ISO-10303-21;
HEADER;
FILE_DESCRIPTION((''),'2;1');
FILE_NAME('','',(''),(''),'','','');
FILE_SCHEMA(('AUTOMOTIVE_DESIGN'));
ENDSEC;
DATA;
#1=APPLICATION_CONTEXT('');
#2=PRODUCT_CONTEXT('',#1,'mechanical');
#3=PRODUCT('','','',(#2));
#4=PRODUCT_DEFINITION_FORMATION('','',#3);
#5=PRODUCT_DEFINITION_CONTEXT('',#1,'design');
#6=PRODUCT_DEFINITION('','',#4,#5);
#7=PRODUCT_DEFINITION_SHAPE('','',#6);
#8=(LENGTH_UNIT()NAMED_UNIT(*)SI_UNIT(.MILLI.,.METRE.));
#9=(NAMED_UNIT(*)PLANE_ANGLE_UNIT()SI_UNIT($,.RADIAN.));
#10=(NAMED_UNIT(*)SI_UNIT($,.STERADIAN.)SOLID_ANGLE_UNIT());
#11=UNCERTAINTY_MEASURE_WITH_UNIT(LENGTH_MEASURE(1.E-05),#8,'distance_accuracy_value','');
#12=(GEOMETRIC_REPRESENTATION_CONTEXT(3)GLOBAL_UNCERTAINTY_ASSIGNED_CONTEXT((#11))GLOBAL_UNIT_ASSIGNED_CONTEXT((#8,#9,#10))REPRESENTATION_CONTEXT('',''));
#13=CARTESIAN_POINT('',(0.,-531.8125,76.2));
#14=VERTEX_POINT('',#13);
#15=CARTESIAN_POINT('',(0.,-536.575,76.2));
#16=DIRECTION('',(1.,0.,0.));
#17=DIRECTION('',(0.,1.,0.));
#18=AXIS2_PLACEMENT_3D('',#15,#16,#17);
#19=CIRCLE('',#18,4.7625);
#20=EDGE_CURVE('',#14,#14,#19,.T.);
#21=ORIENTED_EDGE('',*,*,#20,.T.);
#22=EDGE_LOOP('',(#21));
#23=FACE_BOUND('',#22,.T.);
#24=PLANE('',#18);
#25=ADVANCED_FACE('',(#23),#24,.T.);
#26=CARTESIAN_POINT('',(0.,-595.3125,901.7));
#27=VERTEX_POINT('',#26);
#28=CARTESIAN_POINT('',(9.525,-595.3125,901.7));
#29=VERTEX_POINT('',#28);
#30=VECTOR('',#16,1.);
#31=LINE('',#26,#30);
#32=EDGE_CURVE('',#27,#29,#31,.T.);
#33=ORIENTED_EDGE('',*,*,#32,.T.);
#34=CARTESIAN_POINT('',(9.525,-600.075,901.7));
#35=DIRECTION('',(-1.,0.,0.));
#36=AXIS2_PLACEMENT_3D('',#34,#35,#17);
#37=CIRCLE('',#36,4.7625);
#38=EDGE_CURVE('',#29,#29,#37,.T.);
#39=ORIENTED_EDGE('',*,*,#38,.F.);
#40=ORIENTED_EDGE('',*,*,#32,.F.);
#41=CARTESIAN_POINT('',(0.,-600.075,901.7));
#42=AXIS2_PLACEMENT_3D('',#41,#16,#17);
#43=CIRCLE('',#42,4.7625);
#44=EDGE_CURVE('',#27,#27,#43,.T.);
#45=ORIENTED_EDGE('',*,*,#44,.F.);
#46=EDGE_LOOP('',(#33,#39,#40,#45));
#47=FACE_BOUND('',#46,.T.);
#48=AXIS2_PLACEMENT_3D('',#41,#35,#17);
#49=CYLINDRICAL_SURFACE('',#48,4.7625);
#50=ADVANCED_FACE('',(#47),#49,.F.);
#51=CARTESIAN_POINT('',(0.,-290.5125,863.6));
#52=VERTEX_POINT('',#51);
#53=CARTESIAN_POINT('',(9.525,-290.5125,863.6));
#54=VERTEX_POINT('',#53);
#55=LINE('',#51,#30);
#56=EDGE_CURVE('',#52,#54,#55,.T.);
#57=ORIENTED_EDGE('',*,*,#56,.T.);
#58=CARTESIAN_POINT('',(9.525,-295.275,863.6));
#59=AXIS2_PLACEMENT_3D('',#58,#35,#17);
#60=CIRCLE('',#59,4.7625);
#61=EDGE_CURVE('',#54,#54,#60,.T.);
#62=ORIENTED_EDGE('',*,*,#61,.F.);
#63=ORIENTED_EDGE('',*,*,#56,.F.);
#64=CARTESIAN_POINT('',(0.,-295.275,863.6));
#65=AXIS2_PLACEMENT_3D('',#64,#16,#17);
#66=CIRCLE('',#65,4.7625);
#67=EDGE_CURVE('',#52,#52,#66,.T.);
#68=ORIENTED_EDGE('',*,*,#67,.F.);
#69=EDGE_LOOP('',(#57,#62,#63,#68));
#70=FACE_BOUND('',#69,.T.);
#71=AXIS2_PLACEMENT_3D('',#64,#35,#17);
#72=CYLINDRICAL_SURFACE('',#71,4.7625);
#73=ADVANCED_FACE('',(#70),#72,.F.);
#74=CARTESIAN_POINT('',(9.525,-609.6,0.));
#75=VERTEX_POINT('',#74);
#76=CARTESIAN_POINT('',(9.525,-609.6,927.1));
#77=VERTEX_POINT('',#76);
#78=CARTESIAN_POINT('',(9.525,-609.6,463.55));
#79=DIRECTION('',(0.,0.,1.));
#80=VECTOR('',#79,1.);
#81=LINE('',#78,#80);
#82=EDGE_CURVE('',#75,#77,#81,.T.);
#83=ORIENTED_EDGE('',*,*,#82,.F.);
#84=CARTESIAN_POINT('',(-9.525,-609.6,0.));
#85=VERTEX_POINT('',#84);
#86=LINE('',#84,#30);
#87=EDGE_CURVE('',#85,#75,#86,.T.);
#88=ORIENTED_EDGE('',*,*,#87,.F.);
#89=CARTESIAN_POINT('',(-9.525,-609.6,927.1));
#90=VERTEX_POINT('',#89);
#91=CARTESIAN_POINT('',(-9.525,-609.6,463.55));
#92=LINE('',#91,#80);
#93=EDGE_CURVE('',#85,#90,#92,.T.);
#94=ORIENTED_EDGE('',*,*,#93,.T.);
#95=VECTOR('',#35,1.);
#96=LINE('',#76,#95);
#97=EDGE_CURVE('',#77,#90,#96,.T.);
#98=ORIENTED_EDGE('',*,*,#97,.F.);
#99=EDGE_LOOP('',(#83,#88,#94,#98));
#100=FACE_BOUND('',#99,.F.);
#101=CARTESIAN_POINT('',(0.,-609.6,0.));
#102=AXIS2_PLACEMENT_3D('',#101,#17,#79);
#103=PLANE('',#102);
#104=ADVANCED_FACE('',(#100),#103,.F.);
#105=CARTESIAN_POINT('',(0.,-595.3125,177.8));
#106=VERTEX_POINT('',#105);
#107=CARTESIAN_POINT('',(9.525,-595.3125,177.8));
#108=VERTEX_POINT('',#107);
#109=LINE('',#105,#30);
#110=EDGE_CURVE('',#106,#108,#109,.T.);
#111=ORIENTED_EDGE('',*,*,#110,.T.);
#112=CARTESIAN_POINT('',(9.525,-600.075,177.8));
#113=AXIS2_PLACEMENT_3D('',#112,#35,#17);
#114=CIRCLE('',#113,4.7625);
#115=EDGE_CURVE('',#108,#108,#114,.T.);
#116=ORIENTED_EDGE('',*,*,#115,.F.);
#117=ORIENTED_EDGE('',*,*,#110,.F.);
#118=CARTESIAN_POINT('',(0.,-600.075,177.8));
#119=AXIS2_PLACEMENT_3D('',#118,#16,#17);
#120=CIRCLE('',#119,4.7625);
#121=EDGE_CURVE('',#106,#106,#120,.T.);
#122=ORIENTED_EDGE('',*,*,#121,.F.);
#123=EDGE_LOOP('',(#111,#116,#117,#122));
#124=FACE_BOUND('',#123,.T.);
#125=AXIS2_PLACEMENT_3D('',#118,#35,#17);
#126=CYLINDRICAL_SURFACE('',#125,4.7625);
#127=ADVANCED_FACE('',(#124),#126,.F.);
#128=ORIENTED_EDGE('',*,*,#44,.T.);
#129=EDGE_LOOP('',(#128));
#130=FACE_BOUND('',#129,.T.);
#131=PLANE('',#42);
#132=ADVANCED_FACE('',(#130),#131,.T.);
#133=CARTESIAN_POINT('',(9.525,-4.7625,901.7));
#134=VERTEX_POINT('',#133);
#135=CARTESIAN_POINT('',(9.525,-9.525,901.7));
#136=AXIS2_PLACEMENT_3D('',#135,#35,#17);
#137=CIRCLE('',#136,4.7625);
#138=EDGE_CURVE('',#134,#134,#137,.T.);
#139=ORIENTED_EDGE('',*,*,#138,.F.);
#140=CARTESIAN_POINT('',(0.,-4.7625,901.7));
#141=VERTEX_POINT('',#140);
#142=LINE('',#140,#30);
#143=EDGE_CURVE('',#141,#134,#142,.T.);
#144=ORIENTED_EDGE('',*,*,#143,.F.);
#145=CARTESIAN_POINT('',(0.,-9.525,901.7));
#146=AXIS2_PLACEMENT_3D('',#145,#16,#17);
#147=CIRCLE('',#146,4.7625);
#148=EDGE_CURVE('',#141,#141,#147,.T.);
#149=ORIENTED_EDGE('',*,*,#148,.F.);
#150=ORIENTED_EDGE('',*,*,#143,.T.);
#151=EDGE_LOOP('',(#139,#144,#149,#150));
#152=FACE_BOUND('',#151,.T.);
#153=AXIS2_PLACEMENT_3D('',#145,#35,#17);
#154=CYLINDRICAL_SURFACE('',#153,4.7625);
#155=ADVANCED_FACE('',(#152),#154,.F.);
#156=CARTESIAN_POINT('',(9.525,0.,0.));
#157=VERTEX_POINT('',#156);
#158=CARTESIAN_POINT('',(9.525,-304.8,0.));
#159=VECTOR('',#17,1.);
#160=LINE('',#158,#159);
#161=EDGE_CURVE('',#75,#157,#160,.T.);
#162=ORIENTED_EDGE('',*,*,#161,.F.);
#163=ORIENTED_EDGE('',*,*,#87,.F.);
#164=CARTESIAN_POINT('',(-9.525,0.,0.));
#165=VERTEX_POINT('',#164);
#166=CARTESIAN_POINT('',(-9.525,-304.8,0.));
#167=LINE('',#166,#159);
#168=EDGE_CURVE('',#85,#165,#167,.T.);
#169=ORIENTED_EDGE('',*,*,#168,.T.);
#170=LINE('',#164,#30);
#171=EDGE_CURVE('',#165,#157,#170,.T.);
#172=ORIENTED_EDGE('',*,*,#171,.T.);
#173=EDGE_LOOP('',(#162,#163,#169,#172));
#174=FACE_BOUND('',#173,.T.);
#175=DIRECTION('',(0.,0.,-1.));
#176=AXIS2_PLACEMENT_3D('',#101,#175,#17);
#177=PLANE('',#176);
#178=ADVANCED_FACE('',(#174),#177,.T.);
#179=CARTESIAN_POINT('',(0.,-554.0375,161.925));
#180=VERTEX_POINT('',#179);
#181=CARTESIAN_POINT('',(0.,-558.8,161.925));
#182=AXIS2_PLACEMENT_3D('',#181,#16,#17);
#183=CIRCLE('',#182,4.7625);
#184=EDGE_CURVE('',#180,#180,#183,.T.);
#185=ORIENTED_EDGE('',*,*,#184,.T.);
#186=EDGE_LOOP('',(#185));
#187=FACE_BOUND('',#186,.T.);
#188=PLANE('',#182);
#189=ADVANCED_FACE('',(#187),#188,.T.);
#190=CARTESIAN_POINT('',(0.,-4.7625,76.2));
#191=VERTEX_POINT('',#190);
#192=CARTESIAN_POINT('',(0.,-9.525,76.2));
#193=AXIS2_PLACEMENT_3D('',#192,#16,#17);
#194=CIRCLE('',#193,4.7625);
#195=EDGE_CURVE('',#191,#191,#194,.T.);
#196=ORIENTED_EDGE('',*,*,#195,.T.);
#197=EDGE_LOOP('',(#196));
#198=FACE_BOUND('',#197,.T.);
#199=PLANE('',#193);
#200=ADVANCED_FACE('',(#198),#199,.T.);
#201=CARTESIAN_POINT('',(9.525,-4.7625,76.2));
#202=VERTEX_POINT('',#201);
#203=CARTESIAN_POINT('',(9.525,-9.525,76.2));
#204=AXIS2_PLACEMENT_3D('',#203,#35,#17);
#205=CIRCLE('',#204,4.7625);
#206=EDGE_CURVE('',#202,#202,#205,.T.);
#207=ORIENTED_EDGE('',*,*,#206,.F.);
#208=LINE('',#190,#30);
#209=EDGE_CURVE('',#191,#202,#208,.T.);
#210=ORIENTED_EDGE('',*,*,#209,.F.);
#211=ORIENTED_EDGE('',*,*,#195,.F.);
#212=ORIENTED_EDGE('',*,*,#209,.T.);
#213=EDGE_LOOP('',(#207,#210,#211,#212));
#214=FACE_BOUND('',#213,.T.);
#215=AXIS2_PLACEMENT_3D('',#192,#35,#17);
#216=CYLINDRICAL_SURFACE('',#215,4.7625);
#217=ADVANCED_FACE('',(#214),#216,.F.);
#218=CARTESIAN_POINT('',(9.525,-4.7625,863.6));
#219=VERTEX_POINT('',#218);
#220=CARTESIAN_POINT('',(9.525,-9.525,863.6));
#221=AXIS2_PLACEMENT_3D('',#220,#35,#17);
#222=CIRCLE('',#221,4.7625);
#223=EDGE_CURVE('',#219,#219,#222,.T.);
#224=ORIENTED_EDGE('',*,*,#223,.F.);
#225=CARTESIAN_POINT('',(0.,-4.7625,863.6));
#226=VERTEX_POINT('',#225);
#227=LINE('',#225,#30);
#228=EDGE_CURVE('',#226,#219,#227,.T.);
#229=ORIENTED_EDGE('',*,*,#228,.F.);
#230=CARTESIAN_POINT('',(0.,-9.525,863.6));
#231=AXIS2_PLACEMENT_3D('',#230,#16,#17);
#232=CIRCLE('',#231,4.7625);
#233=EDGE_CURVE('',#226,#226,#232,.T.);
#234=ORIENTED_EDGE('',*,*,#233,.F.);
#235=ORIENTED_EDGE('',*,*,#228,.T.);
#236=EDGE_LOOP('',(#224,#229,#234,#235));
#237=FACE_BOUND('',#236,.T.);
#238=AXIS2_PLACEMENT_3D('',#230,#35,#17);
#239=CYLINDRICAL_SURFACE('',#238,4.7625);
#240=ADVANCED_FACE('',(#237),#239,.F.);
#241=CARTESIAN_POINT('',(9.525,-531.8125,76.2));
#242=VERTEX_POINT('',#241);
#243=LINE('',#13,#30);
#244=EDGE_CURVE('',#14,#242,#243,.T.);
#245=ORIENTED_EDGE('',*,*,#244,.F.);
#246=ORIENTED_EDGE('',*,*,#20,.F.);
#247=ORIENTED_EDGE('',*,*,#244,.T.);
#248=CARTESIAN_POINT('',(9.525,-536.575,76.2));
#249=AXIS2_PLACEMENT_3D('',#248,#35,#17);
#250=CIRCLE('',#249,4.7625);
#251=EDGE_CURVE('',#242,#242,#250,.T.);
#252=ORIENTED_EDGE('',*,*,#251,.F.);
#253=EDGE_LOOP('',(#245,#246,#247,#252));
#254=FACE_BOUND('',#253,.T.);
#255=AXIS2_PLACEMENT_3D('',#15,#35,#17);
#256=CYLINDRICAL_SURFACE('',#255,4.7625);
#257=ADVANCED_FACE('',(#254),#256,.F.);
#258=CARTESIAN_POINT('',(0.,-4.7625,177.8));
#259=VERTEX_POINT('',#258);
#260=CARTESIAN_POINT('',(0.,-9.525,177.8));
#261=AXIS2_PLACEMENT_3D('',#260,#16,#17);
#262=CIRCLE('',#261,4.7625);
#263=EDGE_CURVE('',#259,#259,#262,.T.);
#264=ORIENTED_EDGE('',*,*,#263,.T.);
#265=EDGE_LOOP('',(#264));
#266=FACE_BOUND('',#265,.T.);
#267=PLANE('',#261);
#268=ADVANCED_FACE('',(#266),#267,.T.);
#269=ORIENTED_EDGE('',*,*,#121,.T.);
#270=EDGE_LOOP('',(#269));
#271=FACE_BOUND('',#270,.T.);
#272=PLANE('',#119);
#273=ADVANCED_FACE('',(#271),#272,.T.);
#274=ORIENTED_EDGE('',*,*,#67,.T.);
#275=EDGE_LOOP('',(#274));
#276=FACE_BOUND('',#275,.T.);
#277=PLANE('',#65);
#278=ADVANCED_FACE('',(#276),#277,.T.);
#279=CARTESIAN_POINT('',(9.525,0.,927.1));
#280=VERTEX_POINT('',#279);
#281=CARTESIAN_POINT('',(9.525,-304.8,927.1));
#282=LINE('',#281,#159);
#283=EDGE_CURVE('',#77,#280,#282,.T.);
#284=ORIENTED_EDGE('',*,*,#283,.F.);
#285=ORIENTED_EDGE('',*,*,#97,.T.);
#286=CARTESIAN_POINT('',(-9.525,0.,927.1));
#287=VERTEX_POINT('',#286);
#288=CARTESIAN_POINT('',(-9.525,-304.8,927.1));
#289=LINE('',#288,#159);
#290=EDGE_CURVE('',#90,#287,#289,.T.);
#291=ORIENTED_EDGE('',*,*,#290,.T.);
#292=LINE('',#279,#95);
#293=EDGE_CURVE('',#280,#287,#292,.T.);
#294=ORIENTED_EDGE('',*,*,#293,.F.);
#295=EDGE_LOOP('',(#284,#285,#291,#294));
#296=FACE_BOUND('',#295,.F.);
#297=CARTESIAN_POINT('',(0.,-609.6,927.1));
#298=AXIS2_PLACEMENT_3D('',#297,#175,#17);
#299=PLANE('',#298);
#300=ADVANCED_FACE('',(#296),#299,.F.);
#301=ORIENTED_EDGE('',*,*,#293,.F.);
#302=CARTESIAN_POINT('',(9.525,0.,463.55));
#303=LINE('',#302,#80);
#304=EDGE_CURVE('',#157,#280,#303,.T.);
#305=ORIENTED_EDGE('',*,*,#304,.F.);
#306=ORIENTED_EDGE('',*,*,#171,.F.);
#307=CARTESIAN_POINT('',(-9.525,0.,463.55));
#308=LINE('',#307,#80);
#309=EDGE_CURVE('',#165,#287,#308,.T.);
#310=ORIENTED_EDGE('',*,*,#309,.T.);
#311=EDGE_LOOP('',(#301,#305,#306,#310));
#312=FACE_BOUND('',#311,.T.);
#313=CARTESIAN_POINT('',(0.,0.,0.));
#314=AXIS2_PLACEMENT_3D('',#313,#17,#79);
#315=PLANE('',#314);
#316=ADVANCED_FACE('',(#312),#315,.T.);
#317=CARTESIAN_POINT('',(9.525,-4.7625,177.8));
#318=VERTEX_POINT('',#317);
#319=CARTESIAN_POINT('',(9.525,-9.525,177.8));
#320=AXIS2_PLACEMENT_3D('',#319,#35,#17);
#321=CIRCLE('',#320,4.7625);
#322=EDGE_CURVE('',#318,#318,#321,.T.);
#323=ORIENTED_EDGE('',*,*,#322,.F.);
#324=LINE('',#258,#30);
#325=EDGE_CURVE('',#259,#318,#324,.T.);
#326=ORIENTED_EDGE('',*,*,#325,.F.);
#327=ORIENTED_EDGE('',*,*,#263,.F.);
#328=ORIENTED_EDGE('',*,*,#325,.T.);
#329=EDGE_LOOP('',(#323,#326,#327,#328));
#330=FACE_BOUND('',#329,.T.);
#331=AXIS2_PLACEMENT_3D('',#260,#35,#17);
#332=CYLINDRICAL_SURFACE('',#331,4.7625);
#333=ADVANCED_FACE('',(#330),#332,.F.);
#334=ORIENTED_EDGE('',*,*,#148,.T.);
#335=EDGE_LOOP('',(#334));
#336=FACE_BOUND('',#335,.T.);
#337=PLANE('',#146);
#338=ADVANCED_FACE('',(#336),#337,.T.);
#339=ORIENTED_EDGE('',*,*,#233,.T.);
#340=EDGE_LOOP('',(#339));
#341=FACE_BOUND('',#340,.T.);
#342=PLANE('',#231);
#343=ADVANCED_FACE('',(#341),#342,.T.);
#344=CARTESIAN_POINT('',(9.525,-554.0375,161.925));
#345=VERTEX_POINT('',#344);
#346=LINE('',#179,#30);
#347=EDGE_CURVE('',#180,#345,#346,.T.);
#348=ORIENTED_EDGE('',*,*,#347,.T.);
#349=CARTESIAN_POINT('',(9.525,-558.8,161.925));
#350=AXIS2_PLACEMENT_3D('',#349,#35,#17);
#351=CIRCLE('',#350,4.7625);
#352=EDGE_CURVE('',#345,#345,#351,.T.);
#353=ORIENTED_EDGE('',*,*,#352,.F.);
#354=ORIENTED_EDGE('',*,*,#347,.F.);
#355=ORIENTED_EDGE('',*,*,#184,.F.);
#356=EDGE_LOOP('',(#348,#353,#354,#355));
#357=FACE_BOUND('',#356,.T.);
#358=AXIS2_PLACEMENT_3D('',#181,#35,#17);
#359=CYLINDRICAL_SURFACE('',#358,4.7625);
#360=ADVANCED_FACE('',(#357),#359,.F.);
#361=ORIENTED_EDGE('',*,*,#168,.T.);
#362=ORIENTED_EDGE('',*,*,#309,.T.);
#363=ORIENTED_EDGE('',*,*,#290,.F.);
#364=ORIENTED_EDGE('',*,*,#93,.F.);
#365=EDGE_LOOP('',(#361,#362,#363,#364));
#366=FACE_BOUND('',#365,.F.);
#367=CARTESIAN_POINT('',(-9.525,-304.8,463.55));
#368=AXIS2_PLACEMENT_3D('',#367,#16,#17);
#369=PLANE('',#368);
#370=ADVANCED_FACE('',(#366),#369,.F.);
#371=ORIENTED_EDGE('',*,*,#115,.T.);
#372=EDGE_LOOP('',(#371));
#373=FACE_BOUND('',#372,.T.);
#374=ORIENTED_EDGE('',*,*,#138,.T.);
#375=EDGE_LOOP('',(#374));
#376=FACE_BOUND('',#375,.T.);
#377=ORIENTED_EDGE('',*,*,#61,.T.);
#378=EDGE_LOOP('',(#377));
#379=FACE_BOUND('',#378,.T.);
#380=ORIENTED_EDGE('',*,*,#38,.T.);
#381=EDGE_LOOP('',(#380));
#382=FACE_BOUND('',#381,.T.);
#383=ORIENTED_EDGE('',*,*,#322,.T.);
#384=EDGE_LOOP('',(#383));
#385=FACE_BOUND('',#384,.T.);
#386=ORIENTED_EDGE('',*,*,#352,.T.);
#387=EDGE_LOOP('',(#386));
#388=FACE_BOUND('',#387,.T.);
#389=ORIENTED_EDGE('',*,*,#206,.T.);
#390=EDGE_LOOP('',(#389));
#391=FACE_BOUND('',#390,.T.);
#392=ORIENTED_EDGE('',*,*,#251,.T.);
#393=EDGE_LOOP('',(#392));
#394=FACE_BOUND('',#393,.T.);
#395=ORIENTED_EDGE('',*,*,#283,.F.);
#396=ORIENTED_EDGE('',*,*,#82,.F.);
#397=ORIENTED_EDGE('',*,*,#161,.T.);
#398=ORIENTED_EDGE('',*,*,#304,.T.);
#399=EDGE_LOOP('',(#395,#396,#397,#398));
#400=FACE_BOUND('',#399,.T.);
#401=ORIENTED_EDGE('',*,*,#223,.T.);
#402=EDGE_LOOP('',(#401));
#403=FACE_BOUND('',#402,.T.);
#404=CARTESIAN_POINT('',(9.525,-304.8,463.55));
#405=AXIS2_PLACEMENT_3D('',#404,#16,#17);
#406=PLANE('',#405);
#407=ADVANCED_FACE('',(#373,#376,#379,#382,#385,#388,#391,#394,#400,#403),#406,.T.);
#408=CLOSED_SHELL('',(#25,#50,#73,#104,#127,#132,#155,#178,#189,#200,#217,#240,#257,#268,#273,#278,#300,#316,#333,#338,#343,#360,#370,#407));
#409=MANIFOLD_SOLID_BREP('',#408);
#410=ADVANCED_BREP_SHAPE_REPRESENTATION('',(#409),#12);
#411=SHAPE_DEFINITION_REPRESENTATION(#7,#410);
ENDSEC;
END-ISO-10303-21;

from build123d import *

# Parameters (mm, degrees)
F0_W     = 609.6
F0_H     = 927.1
F1_DEPTH = 9.525
F2_R     = 4.7625
F3_DEPTH = 34.925


with BuildPart() as f1:
    # F0 (on Right) → F1 (new body, symmetric)
    with BuildSketch(Plane.YZ):
        with Locations((-304.8, 463.55)):
            Rectangle(F0_W, F0_H)
    extrude(amount=F1_DEPTH, both=True)

    # F2 (on Right) → F3 (cut)
    with BuildSketch(Plane.YZ):
        with Locations((-9.525, 76.2)):
            Circle(F2_R)
        with Locations((-600.075, 177.8)):
            Circle(F2_R)
        with Locations((-600.075, 901.7)):
            Circle(F2_R)
        with Locations((-295.275, 1365.25)):
            Circle(F2_R)
        with Locations((-295.275, 2089.15)):
            Circle(F2_R)
        with Locations((-295.275, 863.6)):
            Circle(F2_R)
        with Locations((-9.525, 863.6)):
            Circle(F2_R)
        with Locations((-9.525, 2089.15)):
            Circle(F2_R)
        with Locations((-9.525, 1365.25)):
            Circle(F2_R)
        with Locations((-9.525, 901.7)):
            Circle(F2_R)
        with Locations((-9.525, 177.8)):
            Circle(F2_R)
        with Locations((-558.8, 161.925)):
            Circle(F2_R)
        with Locations((-536.575, 76.2)):
            Circle(F2_R)
    extrude(amount=F3_DEPTH, mode=Mode.SUBTRACT)


solid = f1.part
